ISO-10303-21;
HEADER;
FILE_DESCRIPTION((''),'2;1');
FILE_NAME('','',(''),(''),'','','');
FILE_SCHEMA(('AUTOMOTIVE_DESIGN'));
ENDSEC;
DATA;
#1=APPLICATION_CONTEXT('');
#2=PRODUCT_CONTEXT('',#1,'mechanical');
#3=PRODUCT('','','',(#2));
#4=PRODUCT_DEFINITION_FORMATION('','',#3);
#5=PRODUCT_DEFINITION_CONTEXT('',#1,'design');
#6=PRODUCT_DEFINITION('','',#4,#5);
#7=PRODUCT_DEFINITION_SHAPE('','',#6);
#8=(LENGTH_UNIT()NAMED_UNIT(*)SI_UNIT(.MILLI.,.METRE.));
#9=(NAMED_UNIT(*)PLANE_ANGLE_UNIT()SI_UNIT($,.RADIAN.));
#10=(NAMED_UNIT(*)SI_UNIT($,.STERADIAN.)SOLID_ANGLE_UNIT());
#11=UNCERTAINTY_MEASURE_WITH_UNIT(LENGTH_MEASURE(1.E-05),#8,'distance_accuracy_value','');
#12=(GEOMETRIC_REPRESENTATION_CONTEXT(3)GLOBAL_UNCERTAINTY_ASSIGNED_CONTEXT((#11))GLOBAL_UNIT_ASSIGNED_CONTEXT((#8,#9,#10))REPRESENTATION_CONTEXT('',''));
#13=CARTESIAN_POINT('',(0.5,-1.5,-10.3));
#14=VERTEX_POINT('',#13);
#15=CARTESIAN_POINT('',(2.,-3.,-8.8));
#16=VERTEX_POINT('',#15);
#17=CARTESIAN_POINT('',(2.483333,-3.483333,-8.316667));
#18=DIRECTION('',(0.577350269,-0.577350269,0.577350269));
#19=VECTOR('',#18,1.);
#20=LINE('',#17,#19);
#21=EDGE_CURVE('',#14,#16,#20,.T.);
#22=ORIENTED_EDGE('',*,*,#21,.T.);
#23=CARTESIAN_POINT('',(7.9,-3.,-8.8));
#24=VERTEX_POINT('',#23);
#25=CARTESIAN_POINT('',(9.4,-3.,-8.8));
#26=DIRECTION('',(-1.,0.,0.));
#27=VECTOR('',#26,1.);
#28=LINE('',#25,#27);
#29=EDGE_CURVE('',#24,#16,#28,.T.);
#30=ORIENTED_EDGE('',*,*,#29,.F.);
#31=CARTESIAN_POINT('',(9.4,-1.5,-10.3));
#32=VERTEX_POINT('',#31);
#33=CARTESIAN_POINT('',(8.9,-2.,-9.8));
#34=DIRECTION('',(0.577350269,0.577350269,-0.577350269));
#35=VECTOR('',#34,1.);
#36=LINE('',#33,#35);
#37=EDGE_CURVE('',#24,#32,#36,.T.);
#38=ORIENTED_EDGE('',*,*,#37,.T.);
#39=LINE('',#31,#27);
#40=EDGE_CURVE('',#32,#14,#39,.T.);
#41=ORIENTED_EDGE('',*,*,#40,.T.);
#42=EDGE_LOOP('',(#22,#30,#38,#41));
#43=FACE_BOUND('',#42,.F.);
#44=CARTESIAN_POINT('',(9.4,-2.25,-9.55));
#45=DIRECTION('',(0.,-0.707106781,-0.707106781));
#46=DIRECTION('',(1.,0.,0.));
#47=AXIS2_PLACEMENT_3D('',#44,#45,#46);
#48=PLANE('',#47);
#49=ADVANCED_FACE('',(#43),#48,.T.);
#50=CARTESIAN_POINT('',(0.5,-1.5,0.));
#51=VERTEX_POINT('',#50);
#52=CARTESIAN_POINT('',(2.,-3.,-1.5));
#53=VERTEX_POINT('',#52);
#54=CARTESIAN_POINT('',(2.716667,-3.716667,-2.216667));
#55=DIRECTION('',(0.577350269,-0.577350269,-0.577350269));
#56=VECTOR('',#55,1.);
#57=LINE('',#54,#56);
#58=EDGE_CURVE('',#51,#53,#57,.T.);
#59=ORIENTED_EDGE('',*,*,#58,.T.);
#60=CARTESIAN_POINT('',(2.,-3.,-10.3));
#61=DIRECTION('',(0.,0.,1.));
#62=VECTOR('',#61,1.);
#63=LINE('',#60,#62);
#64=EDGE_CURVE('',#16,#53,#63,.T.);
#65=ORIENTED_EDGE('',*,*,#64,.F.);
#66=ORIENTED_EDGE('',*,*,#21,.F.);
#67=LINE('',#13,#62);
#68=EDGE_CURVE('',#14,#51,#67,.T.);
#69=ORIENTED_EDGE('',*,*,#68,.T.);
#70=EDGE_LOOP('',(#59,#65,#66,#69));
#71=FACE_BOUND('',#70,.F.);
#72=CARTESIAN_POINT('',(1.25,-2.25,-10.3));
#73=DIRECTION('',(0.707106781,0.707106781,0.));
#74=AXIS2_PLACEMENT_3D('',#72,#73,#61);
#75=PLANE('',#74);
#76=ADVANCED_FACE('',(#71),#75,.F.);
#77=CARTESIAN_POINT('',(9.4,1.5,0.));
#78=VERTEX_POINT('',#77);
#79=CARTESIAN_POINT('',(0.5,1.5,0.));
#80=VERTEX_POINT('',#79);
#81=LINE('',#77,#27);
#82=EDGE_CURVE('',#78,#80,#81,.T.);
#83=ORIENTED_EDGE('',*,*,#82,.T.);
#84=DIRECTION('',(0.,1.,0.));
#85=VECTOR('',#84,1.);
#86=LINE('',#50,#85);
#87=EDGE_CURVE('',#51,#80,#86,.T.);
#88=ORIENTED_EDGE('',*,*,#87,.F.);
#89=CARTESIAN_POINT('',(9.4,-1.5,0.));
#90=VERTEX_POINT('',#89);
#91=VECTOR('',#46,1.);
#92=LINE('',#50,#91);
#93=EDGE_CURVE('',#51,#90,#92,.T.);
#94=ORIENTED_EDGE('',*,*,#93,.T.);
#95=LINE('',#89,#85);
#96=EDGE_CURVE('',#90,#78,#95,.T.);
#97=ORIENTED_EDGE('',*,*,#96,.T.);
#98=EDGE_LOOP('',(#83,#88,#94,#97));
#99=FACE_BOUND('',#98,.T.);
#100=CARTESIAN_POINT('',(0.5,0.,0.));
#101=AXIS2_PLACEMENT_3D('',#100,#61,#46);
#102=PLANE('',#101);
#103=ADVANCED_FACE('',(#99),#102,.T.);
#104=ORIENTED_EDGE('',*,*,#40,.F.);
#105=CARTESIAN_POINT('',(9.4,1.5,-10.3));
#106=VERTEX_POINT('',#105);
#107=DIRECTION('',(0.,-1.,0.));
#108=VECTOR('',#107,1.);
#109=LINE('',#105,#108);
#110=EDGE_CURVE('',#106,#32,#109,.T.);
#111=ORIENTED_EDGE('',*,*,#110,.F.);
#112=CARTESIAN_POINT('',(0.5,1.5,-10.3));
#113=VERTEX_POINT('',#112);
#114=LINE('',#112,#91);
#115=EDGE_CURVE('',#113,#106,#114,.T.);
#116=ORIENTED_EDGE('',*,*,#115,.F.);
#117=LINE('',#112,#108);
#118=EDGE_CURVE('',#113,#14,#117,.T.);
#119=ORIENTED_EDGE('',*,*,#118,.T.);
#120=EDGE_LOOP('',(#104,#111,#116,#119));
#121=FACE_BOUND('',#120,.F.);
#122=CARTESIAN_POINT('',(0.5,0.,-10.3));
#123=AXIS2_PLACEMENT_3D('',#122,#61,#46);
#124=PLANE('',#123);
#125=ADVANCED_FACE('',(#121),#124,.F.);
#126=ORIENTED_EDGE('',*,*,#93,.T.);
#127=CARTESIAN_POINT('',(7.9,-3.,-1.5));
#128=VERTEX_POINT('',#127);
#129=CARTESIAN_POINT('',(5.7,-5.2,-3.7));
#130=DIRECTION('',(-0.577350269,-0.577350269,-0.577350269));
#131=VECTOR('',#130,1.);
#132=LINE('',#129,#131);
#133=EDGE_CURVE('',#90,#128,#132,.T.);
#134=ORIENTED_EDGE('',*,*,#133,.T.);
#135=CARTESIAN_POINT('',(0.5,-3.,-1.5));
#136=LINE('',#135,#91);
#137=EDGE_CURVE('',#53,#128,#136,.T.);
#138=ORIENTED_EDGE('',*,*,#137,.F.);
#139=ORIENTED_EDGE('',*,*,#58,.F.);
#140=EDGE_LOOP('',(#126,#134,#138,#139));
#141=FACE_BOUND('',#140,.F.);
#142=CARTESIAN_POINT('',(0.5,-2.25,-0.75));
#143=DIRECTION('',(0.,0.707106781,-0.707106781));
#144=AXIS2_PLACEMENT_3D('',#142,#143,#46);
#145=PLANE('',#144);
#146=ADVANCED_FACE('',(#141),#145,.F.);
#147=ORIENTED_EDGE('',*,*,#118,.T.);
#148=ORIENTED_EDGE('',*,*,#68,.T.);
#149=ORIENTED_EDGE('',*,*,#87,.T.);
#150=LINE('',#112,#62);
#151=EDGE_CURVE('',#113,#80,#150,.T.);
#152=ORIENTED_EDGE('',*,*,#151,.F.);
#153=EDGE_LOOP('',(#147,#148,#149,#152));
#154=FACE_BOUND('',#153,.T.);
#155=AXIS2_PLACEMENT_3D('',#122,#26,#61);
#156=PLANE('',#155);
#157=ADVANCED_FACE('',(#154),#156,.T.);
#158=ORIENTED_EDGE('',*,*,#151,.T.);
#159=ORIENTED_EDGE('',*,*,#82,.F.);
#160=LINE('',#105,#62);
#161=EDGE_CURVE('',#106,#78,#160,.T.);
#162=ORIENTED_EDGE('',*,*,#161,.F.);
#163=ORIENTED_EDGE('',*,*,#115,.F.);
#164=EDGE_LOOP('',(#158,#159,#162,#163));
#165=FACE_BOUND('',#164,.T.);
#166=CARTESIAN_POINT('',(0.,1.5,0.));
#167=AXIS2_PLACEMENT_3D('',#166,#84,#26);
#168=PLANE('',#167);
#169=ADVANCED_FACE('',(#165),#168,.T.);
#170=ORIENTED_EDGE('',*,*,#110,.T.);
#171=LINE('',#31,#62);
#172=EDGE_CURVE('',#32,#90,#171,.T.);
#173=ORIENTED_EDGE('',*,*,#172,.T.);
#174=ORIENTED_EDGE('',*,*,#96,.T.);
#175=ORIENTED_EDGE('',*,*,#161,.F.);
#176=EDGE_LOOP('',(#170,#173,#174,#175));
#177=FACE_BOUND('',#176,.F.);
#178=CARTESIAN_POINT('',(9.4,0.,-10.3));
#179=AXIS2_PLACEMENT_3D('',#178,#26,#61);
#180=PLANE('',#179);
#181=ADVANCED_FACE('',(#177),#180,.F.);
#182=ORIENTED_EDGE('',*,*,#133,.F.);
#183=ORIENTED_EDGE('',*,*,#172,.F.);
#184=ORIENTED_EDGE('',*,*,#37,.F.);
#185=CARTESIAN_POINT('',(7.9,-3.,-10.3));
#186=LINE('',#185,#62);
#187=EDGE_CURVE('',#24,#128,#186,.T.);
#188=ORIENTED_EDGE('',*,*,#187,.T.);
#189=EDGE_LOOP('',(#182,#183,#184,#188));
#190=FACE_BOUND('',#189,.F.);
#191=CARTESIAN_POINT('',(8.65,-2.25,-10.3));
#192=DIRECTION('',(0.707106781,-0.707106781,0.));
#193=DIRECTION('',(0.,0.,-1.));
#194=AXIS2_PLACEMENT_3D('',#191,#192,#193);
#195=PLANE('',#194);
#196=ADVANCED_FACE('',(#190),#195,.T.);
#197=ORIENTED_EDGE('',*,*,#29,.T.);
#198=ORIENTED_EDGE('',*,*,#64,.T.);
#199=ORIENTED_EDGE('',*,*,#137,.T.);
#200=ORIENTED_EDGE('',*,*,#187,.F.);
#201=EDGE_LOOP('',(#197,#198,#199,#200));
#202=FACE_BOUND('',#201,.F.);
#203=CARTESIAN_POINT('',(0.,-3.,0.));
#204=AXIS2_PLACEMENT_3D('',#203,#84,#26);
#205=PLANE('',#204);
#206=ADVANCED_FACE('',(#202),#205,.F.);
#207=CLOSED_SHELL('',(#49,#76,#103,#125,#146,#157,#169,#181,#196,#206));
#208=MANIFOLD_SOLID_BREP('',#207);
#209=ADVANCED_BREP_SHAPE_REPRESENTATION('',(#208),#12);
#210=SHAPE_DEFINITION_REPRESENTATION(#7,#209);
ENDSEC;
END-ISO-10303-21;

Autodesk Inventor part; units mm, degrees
ref_plane "YZ Plane" through (0, 0, 0) normal (1, 0, 0) x (0, 1, 0)
ref_plane "XZ Plane" through (0, 0, 0) normal (0, 1, 0) x (-1, 0, 0)
ref_plane "XY Plane" through (0, 0, 0) normal (0, 0, 1) x (1, 0, 0)
sketch "Sketch1" plane through (0, 0, 0) normal (0, 1, 0) x (-1, 0, 0)
  line L0 (0, 0) -> (-9.9, 0)
  line L1 (0, 0) -> (0, -10.3)
  line L2 (0, -10.3) -> (-9.9, -10.3)
  line L3 (-9.9, -10.3) -> (-9.9, 0)
  line L4 (-9.9, -10.3) -> (-9.4, -10.3)
  line L5 (-9.4, -10.3) -> (-9.4, 0)
  line L6 (0, -10.3) -> (-0.5, -10.3)
  line L7 (-0.5, -10.3) -> (-0.5, 0)
  line L8 (-0.5, 0.85) -> (-9.9, 0.85)
  line L9 (-9.9, 0.85) -> (-9.9, 0)
  line L10 (0, 0) -> (0, 0.85)
  line L11 (0, 0.85) -> (-0.5, 0.85)
  line L12 (0, -10.3) -> (0, -11.15)
  line L13 (0, -11.15) -> (-9.9, -11.15)
  line L14 (-9.9, -11.15) -> (-9.9, -10.3)
  line L15 (-9.9, -11.15) -> (-19.8, -11.15)
  line L16 (-19.8, -11.15) -> (-19.8, -10.3)
  line L17 (-19.8, -10.3) -> (-19.8, 0)
  line L18 (-19.3, -10.3) -> (-19.3, 0)
  line L19 (-9.9, -10.3) -> (-19.8, -10.3)
  line L20 (-10.4, -10.3) -> (-10.4, 0)
  line L21 (-9.9, 0) -> (-9.9, -10.3)
  line L22 (-9.9, 0) -> (-9.9, 0.85)
  line L23 (-9.9, 0.85) -> (-10.4, 0.85)
  line L24 (-10.4, 0.85) -> (-19.8, 0.85)
  line L25 (-9.9, 0) -> (-19.8, 0)
  line L26 (-19.8, 0.85) -> (-19.8, 0)
  line L27 (-19.8, -11.15) -> (-29.7, -11.15)
  line L28 (-29.7, -11.15) -> (-29.7, -10.3)
  line L29 (-29.7, -10.3) -> (-29.7, 0)
  line L30 (-29.2, -10.3) -> (-29.2, 0)
  line L31 (-19.8, -10.3) -> (-29.7, -10.3)
  line L32 (-20.3, -10.3) -> (-20.3, 0)
  line L33 (-19.8, 0) -> (-19.8, -10.3)
  line L34 (-19.8, 0) -> (-19.8, 0.85)
  line L35 (-19.8, 0.85) -> (-20.3, 0.85)
  line L36 (-20.3, 0.85) -> (-29.7, 0.85)
  line L37 (-19.8, 0) -> (-29.7, 0)
  line L38 (-29.7, 0.85) -> (-29.7, 0)
  line L39 (-29.7, -11.15) -> (-39.6, -11.15)
  line L40 (-39.6, -11.15) -> (-39.6, -10.3)
  line L41 (-39.6, -10.3) -> (-39.6, 0)
  line L42 (-39.1, -10.3) -> (-39.1, 0)
  line L43 (-29.7, -10.3) -> (-39.6, -10.3)
  line L44 (-30.2, -10.3) -> (-30.2, 0)
  line L45 (-29.7, 0) -> (-29.7, -10.3)
  line L46 (-29.7, 0) -> (-29.7, 0.85)
  line L47 (-29.7, 0.85) -> (-30.2, 0.85)
  line L48 (-30.2, 0.85) -> (-39.6, 0.85)
  line L49 (-29.7, 0) -> (-39.6, 0)
  line L50 (-39.6, 0.85) -> (-39.6, 0)
  line L51 (-39.6, -11.15) -> (-49.5, -11.15)
  line L52 (-49.5, -11.15) -> (-49.5, -10.3)
  line L53 (-49.5, -10.3) -> (-49.5, 0)
  line L54 (-49, -10.3) -> (-49, 0)
  line L55 (-39.6, -10.3) -> (-49.5, -10.3)
  line L56 (-40.1, -10.3) -> (-40.1, 0)
  line L57 (-39.6, 0) -> (-39.6, -10.3)
  line L58 (-39.6, 0) -> (-39.6, 0.85)
  line L59 (-39.6, 0.85) -> (-40.1, 0.85)
  line L60 (-40.1, 0.85) -> (-49.5, 0.85)
  line L61 (-39.6, 0) -> (-49.5, 0)
  line L62 (-49.5, 0.85) -> (-49.5, 0)
  line L63 (-49.5, -11.15) -> (-59.4, -11.15)
  line L64 (-59.4, -11.15) -> (-59.4, -10.3)
  line L65 (-59.4, -10.3) -> (-59.4, 0)
  line L66 (-58.9, -10.3) -> (-58.9, 0)
  line L67 (-49.5, -10.3) -> (-59.4, -10.3)
  line L68 (-50, -10.3) -> (-50, 0)
  line L69 (-49.5, 0) -> (-49.5, -10.3)
  line L70 (-49.5, 0) -> (-49.5, 0.85)
  line L71 (-49.5, 0.85) -> (-50, 0.85)
  line L72 (-50, 0.85) -> (-59.4, 0.85)
  line L73 (-49.5, 0) -> (-59.4, 0)
  line L74 (-59.4, 0.85) -> (-59.4, 0)
  line L75 (-59.4, -11.15) -> (-69.3, -11.15)
  line L76 (-69.3, -11.15) -> (-69.3, -10.3)
  line L77 (-69.3, -10.3) -> (-69.3, 0)
  line L78 (-68.8, -10.3) -> (-68.8, 0)
  line L79 (-59.4, -10.3) -> (-69.3, -10.3)
  line L80 (-59.9, -10.3) -> (-59.9, 0)
  line L81 (-59.4, 0) -> (-59.4, -10.3)
  line L82 (-59.4, 0) -> (-59.4, 0.85)
  line L83 (-59.4, 0.85) -> (-59.9, 0.85)
  line L84 (-59.9, 0.85) -> (-69.3, 0.85)
  line L85 (-59.4, 0) -> (-69.3, 0)
  line L86 (-69.3, 0.85) -> (-69.3, 0)
  line L87 (-69.3, -11.15) -> (-79.2, -11.15)
  line L88 (-79.2, -11.15) -> (-79.2, -10.3)
  line L89 (-79.2, -10.3) -> (-79.2, 0)
  line L90 (-78.7, -10.3) -> (-78.7, 0)
  line L91 (-69.3, -10.3) -> (-79.2, -10.3)
  line L92 (-69.8, -10.3) -> (-69.8, 0)
  line L93 (-69.3, 0) -> (-69.3, -10.3)
  line L94 (-69.3, 0) -> (-69.3, 0.85)
  line L95 (-69.3, 0.85) -> (-69.8, 0.85)
  line L96 (-69.8, 0.85) -> (-79.2, 0.85)
  line L97 (-69.3, 0) -> (-79.2, 0)
  line L98 (-79.2, 0.85) -> (-79.2, 0)
  line L99 (-79.2, -11.15) -> (-89.1, -11.15)
  line L100 (-89.1, -11.15) -> (-89.1, -10.3)
  line L101 (-89.1, -10.3) -> (-89.1, 0)
  line L102 (-88.6, -10.3) -> (-88.6, 0)
  line L103 (-79.2, -10.3) -> (-89.1, -10.3)
  line L104 (-79.7, -10.3) -> (-79.7, 0)
  line L105 (-79.2, 0) -> (-79.2, -10.3)
  line L106 (-79.2, 0) -> (-79.2, 0.85)
  line L107 (-79.2, 0.85) -> (-79.7, 0.85)
  line L108 (-79.7, 0.85) -> (-89.1, 0.85)
  line L109 (-79.2, 0) -> (-89.1, 0)
  line L110 (-89.1, 0.85) -> (-89.1, 0)
  line L111 (-89.1, -11.15) -> (-99, -11.15)
  line L112 (-99, -11.15) -> (-99, -10.3)
  line L113 (-99, -10.3) -> (-99, 0)
  line L114 (-98.5, -10.3) -> (-98.5, 0)
  line L115 (-89.1, -10.3) -> (-99, -10.3)
  line L116 (-89.6, -10.3) -> (-89.6, 0)
  line L117 (-89.1, 0) -> (-89.1, -10.3)
  line L118 (-89.1, 0) -> (-89.1, 0.85)
  line L119 (-89.1, 0.85) -> (-89.6, 0.85)
  line L120 (-89.6, 0.85) -> (-99, 0.85)
  line L121 (-89.1, 0) -> (-99, 0)
  line L122 (-99, 0.85) -> (-99, 0)
  line L123 (0, -11.15) -> (0, 0.85)
  line L124 (0, -11.15) -> (0, -12.65)
  line L125 (0, -12.65) -> (1.5, -12.65)
  line L126 (-99, 0.85) -> (-100.5, 0.85)
  line L127 (-100.5, 0.85) -> (-100.5, 2.35)
  line L128 (1.5, -12.65) -> (-100.5, -12.65)
  line L129 (-100.5, -12.65) -> (-100.5, 2.35)
  line L130 (-100.5, 2.35) -> (1.5, 2.35)
  line L131 (1.5, 2.35) -> (1.5, -12.65)
  line L132 (0, -11.15) -> (1.5, -11.15)
  line L133 (0, 0.85) -> (1.5, 0.85)
  line L134 (0, -11.15) -> (-2, -11.15)
  line L135 (-2, -11.15) -> (-2, 0.85)
  point P0 (-2, -10.3)
  point P1 (-2, 0)
  dimension "d0" = 9.9
  dimension "d1" = 10.3
  dimension "d2" = 0.5
  dimension "d3" = 0.5
  dimension "d6" = 0.85
  dimension "d7" = 0.85
  dimension "d10" = 9.9
  dimension "d15" = 1.5
  dimension "d16" = 1.5
  dimension "d19" = 1.5
  dimension "d20" = 2
extrude "Extrusion3" add sketch "Sketch1" against normal blind 3 contours L7 L2 L135 L0 | L135 L2 L5 L0
chamfer "Chamfer1" distance 1.5 angle 45 4 edges at (4.95, -3, 0) (9.4, -3, -5.15) (0.5, -3, -5.15) (4.95, -3, -10.3)
extrude "Extrusion4" add sketch "Sketch1" along normal blind 1.5 contours L7 L2 L135 L0 | L135 L2 L5 L0
properties part number "10x led strip diffuser"
